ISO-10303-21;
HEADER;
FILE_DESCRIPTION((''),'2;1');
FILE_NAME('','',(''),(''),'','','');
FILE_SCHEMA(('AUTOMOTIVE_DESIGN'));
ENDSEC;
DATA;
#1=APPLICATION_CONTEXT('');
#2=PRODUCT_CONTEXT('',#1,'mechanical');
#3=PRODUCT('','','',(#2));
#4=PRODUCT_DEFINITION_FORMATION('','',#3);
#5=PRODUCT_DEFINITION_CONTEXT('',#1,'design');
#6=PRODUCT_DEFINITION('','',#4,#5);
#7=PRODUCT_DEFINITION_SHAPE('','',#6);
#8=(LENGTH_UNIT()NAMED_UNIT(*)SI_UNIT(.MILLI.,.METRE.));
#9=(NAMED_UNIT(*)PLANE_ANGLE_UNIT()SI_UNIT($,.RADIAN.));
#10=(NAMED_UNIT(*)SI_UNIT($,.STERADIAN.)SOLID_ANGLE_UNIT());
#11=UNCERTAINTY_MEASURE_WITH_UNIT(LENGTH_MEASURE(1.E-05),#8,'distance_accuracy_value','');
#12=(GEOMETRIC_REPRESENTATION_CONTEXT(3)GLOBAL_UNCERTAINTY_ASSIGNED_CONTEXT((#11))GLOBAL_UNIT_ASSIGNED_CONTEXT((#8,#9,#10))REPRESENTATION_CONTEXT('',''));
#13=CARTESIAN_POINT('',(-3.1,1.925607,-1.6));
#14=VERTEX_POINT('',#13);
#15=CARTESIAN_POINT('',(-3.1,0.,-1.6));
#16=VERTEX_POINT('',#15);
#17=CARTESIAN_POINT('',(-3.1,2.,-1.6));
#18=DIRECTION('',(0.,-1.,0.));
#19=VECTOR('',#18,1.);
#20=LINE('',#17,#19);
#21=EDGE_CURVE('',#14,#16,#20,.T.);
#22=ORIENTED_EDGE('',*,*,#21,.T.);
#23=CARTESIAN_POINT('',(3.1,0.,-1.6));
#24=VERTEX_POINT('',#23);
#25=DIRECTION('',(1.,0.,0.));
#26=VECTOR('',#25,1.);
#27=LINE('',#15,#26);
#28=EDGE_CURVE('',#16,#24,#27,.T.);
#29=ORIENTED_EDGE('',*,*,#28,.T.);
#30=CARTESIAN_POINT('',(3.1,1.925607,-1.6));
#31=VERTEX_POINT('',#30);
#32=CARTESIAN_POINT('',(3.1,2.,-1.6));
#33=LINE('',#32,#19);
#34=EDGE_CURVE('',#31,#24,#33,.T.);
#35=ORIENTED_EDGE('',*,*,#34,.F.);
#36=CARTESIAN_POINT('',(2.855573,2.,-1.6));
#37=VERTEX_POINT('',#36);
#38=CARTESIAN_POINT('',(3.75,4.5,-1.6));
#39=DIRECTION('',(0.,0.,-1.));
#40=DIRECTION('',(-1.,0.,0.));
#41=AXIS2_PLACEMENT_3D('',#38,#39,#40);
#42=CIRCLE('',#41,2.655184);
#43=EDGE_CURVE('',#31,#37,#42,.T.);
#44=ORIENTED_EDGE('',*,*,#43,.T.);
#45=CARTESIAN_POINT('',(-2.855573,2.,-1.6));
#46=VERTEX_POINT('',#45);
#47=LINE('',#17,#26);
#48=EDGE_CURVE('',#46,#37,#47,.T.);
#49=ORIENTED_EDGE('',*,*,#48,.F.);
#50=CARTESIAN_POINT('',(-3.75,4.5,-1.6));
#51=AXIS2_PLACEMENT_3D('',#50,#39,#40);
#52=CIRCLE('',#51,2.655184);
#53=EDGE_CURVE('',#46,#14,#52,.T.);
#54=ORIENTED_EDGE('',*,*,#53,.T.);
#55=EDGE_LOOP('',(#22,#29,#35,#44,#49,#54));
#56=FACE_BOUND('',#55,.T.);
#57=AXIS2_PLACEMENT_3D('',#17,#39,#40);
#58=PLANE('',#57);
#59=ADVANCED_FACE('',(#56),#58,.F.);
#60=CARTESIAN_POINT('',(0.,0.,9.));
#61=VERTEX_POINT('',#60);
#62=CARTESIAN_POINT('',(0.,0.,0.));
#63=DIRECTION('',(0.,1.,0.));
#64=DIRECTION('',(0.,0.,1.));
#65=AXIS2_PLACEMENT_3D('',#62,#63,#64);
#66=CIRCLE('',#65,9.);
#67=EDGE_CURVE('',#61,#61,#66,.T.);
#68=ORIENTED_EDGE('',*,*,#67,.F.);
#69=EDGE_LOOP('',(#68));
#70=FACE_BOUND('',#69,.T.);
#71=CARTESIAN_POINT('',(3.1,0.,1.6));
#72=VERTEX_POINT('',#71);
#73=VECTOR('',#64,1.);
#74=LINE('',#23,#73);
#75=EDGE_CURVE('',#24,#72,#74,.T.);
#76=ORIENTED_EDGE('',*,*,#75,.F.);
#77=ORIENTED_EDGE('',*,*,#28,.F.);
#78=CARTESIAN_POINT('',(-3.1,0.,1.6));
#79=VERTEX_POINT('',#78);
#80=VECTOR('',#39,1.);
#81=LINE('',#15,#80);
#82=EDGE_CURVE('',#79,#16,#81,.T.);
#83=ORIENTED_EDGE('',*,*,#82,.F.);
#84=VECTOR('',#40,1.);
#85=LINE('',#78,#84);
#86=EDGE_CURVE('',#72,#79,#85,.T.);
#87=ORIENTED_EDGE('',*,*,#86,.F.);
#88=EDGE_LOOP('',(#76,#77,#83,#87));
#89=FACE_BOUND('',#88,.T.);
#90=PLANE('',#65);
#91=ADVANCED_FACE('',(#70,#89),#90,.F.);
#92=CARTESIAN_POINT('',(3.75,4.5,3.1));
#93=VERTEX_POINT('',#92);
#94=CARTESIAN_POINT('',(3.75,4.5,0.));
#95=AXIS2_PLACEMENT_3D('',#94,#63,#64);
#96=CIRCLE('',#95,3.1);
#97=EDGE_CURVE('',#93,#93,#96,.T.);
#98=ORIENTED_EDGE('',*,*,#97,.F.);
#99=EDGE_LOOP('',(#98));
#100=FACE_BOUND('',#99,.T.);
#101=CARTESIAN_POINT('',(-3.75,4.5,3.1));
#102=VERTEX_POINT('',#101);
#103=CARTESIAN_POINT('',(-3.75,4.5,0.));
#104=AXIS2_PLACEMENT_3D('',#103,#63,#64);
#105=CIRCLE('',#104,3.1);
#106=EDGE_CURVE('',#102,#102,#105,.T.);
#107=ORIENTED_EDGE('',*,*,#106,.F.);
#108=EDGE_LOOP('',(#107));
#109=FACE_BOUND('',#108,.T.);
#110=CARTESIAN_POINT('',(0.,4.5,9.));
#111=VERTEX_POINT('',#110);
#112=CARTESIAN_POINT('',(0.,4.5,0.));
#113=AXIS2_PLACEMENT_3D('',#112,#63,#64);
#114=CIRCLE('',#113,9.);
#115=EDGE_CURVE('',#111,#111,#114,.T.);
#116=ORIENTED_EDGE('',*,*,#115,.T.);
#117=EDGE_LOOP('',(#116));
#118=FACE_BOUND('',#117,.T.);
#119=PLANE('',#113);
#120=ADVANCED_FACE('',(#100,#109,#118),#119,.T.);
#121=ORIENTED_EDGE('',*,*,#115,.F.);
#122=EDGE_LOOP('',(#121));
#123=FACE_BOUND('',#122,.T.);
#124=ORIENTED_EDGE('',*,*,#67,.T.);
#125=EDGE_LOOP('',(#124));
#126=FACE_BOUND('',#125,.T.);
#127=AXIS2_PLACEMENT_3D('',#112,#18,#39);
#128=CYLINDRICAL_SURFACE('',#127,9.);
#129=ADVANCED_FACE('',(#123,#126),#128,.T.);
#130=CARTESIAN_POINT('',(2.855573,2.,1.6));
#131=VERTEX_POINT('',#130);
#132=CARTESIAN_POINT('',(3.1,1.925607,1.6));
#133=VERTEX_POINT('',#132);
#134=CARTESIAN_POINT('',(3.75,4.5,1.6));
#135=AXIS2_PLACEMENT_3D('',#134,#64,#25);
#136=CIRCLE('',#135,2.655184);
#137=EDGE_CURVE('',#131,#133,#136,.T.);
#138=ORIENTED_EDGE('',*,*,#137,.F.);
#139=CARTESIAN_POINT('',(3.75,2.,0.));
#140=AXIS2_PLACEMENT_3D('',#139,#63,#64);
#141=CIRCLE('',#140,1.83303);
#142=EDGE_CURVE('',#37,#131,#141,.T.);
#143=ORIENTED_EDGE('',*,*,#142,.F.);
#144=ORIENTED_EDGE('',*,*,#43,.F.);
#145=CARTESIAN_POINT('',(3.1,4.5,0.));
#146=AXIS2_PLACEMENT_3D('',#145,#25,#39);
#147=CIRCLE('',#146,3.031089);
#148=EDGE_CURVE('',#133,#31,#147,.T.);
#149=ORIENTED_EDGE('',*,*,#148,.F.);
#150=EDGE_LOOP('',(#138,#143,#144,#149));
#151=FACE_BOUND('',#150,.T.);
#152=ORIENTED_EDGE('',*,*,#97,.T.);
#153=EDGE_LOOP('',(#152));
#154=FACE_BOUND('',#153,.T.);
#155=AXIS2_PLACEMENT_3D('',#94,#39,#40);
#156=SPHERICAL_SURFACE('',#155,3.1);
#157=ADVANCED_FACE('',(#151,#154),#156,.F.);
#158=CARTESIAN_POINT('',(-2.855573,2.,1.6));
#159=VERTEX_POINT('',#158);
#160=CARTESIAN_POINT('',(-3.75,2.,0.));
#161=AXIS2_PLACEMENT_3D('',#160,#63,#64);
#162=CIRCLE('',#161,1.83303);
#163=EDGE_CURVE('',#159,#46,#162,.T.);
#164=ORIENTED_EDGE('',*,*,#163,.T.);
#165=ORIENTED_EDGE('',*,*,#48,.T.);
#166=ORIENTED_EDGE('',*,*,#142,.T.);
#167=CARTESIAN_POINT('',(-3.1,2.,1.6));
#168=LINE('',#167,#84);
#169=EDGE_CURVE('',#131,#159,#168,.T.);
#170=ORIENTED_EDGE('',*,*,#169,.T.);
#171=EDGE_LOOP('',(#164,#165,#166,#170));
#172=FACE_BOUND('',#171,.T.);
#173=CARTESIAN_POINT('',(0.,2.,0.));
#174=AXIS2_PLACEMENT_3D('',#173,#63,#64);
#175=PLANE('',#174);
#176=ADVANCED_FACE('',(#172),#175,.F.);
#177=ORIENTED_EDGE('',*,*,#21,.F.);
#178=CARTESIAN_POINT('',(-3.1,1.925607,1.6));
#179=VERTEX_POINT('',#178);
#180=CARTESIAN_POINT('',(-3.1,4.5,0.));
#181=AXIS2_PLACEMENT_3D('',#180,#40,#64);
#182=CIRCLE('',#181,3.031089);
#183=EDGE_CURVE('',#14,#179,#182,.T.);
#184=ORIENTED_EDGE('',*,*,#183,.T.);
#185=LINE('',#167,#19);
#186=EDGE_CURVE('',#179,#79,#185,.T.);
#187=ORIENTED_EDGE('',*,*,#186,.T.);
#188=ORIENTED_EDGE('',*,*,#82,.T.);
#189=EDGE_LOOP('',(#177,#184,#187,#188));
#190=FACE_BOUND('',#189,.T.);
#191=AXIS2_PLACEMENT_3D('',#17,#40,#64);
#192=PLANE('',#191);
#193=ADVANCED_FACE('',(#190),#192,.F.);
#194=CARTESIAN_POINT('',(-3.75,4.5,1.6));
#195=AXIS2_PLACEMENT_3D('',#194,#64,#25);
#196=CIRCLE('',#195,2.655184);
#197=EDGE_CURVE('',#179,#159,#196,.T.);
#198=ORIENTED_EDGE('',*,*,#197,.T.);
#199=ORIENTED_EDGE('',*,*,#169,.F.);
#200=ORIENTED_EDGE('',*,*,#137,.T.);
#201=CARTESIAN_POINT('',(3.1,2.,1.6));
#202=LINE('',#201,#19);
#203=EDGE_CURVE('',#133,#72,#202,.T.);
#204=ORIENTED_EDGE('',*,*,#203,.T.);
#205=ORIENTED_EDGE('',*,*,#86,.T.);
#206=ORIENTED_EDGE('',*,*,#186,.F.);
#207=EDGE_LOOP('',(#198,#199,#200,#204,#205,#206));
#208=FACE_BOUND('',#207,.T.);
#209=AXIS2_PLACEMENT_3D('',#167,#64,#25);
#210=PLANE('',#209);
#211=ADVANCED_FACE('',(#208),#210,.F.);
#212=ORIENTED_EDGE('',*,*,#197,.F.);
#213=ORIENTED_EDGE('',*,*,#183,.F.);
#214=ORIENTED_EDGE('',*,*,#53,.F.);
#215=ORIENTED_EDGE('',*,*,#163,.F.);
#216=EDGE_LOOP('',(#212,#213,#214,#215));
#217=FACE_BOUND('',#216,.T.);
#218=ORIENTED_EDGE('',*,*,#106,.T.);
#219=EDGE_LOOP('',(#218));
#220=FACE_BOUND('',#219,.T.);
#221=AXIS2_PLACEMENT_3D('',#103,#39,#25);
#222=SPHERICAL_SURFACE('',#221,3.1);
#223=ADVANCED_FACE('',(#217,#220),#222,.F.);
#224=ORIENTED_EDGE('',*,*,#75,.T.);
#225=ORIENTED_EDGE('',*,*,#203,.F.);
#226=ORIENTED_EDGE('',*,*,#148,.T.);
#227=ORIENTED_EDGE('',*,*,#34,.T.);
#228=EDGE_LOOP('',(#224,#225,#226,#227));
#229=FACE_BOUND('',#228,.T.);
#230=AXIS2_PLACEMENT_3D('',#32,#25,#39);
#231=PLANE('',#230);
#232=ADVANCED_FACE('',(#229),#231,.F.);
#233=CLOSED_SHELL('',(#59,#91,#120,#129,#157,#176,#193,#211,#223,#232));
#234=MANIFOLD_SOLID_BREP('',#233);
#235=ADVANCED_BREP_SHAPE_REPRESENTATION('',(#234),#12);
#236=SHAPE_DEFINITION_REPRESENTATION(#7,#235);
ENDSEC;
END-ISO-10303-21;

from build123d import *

# Parameters (mm, degrees)
SKETCH2_R           = 9
BOSS_EXTRUDE1_DEPTH = 4.5
SKETCH3_W           = 6.2
SKETCH3_H           = 3.2
CUT_EXTRUDE1_DEPTH  = 2


with BuildPart() as part:
    # Sketch2 → Boss-Extrude1 (new body)
    with BuildSketch(Plane(origin=(0, 0, 0), x_dir=(1, 0, 0), z_dir=(0, 1, 0))):
        Circle(SKETCH2_R)
    extrude(amount=BOSS_EXTRUDE1_DEPTH)

    # Sketch3 → Cut-Extrude1 (cut)
    with BuildSketch(Plane.XZ):
        Rectangle(SKETCH3_W, SKETCH3_H)
    extrude(amount=-CUT_EXTRUDE1_DEPTH, mode=Mode.SUBTRACT)

    # Sketch4 → Cut-Revolve1 (revolve, cut)
    with BuildSketch(Plane(origin=(0, 4.5, 0), x_dir=(1, 0, 0), z_dir=(0, 1, 0))):
        with BuildLine():
            Line((-3.75, 3.1), (-3.75, -3.1))
            ThreePointArc((-3.75, -3.1), (-6.85, 0), (-3.75, 3.1))
        make_face()
    cut_revolve1 = revolve(axis=Axis((-3.75, 4.5, -3.1), (0, 0, 1)), mode=Mode.SUBTRACT)

    # Mirror1: Cut-Revolve1 across plane
    add(cut_revolve1.mirror(Plane(origin=(0, 0, 0), x_dir=(0, 0, 1), z_dir=(1, 0, 0))), mode=Mode.SUBTRACT)


solid = part.part
